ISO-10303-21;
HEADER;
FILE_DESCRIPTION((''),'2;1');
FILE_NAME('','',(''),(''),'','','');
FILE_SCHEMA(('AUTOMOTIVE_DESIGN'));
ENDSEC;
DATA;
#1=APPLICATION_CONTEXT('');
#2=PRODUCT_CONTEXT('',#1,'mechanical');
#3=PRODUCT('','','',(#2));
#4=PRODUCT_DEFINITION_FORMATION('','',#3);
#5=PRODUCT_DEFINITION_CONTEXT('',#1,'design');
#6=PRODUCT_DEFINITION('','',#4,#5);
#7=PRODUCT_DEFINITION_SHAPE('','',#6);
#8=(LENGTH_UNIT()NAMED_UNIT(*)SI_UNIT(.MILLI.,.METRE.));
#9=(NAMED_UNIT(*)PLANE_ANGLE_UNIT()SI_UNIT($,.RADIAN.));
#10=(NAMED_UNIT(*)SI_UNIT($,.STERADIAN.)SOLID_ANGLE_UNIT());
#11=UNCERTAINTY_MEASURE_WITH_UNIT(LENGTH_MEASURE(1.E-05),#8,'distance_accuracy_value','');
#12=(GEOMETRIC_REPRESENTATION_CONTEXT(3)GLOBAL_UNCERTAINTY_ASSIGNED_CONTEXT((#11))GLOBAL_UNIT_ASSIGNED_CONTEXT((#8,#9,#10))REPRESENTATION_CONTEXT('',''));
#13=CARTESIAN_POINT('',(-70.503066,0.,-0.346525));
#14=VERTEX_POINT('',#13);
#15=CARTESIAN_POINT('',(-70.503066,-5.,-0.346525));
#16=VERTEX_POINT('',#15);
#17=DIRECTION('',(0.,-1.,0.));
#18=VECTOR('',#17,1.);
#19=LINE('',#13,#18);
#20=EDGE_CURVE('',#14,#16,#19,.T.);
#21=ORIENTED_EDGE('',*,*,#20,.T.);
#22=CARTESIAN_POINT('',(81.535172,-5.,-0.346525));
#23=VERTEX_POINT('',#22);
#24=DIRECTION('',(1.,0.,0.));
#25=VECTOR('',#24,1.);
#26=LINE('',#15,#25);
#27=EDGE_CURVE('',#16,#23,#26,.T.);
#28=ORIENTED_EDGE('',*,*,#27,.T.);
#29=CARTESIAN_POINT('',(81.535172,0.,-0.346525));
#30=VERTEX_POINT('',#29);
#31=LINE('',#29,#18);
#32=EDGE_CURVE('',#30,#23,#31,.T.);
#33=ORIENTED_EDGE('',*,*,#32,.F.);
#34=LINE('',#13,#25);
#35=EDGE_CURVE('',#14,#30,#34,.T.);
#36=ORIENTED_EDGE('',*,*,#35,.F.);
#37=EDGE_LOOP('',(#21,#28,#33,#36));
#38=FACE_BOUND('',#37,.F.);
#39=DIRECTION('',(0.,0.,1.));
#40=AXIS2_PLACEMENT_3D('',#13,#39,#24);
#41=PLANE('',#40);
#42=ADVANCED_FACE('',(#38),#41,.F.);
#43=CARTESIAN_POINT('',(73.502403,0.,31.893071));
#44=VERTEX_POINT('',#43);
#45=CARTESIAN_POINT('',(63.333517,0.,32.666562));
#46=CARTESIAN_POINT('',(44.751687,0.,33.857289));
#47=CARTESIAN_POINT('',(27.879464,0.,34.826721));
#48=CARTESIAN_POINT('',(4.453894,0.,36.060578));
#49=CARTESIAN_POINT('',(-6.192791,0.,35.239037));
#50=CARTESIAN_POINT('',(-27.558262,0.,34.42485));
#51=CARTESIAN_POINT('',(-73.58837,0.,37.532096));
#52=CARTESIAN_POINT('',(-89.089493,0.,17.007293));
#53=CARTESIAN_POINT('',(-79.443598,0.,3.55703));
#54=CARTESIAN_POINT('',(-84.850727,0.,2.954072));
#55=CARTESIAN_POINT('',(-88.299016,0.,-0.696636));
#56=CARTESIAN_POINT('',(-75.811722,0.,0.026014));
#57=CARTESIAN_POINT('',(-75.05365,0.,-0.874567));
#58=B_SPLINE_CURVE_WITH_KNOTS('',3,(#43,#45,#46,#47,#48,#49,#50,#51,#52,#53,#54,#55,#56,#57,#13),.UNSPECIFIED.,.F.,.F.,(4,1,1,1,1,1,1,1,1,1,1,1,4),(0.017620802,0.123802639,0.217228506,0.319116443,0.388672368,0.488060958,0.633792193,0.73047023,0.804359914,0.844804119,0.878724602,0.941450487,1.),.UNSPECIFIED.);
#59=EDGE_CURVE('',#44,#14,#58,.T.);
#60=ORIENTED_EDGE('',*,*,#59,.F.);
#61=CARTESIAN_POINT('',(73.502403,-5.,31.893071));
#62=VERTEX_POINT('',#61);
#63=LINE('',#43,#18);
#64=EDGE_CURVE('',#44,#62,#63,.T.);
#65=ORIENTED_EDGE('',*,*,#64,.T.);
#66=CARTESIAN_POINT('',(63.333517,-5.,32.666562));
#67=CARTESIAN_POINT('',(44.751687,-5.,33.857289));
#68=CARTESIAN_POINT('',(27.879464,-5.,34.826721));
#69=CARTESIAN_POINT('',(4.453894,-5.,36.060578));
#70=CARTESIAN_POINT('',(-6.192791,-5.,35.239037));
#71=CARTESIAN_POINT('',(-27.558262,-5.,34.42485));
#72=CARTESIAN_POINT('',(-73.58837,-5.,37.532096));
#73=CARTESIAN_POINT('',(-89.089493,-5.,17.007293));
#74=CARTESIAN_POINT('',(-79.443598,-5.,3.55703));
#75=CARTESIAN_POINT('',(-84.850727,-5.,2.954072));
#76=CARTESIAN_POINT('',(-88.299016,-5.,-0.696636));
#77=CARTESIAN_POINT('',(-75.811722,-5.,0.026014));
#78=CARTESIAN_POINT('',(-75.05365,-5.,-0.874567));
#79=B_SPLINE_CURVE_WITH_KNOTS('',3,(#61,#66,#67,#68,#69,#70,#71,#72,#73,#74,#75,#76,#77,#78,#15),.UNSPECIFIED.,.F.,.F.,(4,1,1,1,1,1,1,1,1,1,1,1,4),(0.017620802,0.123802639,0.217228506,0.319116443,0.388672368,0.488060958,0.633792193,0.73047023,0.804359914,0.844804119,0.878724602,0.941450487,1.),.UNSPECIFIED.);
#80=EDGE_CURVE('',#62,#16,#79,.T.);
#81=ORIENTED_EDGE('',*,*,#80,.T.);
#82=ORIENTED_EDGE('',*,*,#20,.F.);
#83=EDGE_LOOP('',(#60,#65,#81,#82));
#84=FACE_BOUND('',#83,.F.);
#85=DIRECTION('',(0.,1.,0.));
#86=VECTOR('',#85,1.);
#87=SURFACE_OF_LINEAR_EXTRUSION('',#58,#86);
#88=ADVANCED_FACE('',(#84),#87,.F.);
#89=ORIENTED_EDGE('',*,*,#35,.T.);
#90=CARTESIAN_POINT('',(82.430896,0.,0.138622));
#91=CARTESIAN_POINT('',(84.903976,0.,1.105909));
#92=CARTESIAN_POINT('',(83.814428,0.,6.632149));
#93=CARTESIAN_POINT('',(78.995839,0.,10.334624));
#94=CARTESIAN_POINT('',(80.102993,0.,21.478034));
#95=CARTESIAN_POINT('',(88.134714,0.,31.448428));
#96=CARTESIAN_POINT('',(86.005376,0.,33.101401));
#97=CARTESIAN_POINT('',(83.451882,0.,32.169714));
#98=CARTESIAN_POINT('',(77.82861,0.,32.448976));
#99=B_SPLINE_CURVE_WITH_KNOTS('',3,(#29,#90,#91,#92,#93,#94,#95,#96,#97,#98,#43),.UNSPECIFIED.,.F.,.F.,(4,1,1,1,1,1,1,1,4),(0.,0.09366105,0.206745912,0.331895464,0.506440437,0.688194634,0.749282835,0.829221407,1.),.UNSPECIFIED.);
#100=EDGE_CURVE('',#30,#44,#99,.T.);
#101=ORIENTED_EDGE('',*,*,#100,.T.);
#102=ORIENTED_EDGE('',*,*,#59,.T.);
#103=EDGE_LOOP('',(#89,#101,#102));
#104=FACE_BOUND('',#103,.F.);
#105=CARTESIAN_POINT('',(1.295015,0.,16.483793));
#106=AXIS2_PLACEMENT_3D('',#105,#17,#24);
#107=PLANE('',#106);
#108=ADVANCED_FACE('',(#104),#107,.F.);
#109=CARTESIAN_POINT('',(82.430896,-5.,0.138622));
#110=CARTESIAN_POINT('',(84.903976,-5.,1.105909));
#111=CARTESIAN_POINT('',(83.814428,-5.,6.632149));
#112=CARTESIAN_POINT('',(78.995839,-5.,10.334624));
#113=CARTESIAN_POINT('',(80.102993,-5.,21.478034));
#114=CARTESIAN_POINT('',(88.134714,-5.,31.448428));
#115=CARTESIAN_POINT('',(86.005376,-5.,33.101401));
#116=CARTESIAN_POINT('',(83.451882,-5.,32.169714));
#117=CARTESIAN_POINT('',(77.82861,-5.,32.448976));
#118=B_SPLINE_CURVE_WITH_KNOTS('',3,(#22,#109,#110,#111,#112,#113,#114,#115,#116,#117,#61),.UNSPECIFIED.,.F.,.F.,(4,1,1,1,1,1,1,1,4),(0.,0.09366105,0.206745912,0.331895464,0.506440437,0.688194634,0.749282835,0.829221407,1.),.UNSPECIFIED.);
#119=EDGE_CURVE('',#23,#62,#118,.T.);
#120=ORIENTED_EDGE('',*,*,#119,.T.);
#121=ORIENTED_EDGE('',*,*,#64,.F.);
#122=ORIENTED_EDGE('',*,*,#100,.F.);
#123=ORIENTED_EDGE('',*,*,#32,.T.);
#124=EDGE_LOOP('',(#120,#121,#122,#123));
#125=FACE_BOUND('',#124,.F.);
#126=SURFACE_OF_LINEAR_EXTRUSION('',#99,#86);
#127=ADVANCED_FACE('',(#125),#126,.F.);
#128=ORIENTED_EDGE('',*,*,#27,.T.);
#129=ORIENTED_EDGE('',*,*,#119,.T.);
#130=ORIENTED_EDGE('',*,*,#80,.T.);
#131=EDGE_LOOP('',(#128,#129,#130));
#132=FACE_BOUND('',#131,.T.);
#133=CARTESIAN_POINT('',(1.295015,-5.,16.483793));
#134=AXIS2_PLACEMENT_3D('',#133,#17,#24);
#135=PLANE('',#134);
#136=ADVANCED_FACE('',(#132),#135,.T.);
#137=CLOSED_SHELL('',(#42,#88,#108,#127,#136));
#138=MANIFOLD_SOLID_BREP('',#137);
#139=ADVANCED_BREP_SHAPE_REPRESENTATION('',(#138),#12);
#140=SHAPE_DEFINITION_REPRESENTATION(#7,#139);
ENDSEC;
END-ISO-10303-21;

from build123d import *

# Parameters (mm, degrees)
F1_DEPTH = 5


with BuildPart() as f1:
    # F0 (on Front) → F1 (new body)
    with BuildSketch(Plane.XZ):
        with BuildLine():
            add(Edge.make_bspline(
                [(73.502403122, 31.8930708124), (63.3335166094, 32.6665615582), (44.7516874748, 33.8572887933), (27.8794639507, 34.8267206541), (4.4538941095, 36.0605779351), (-6.192790749, 35.2390372337), (-27.5582617244, 34.4248504948), (-73.5883699311, 37.5320959801), (-89.0894926531, 17.0072930166), (-79.4435980136, 3.557030298), (-84.8507268038, 2.954072367), (-88.2990164467, -0.6966362609), (-75.8117215142, 0.0260142431), (-75.0536495984, -0.8745665455), (-70.5030660327, -0.3465246759)],
                knots=[0.0176208016, 0.0176208016, 0.0176208016, 0.0176208016, 0.1238026391, 0.217228506, 0.3191164427, 0.3886723685, 0.4880609581, 0.6337921932, 0.7304702301, 0.8043599138, 0.8448041193, 0.8787246025, 0.9414504867, 1, 1, 1, 1], degree=3))
            Line((-70.5030660327, -0.3465246759), (81.535172008, -0.3465246759))
            add(Edge.make_bspline(
                [(81.535172008, -0.3465246759), (82.4308959801, 0.1386224409), (84.9039758329, 1.1059093439), (83.8144278879, 6.6321485559), (78.9958390561, 10.3346235436), (80.1029929697, 21.478034297), (88.1347138327, 31.448427778), (86.005376167, 33.1014013724), (83.4518820791, 32.169713819), (77.8286095045, 32.4489760785), (73.502403122, 31.8930708124)],
                knots=[0, 0, 0, 0, 0.0936610504, 0.2067459121, 0.331895464, 0.5064404365, 0.6881946337, 0.7492828351, 0.8292214071, 1, 1, 1, 1], degree=3))
        make_face()
    extrude(amount=F1_DEPTH)


solid = f1.part
